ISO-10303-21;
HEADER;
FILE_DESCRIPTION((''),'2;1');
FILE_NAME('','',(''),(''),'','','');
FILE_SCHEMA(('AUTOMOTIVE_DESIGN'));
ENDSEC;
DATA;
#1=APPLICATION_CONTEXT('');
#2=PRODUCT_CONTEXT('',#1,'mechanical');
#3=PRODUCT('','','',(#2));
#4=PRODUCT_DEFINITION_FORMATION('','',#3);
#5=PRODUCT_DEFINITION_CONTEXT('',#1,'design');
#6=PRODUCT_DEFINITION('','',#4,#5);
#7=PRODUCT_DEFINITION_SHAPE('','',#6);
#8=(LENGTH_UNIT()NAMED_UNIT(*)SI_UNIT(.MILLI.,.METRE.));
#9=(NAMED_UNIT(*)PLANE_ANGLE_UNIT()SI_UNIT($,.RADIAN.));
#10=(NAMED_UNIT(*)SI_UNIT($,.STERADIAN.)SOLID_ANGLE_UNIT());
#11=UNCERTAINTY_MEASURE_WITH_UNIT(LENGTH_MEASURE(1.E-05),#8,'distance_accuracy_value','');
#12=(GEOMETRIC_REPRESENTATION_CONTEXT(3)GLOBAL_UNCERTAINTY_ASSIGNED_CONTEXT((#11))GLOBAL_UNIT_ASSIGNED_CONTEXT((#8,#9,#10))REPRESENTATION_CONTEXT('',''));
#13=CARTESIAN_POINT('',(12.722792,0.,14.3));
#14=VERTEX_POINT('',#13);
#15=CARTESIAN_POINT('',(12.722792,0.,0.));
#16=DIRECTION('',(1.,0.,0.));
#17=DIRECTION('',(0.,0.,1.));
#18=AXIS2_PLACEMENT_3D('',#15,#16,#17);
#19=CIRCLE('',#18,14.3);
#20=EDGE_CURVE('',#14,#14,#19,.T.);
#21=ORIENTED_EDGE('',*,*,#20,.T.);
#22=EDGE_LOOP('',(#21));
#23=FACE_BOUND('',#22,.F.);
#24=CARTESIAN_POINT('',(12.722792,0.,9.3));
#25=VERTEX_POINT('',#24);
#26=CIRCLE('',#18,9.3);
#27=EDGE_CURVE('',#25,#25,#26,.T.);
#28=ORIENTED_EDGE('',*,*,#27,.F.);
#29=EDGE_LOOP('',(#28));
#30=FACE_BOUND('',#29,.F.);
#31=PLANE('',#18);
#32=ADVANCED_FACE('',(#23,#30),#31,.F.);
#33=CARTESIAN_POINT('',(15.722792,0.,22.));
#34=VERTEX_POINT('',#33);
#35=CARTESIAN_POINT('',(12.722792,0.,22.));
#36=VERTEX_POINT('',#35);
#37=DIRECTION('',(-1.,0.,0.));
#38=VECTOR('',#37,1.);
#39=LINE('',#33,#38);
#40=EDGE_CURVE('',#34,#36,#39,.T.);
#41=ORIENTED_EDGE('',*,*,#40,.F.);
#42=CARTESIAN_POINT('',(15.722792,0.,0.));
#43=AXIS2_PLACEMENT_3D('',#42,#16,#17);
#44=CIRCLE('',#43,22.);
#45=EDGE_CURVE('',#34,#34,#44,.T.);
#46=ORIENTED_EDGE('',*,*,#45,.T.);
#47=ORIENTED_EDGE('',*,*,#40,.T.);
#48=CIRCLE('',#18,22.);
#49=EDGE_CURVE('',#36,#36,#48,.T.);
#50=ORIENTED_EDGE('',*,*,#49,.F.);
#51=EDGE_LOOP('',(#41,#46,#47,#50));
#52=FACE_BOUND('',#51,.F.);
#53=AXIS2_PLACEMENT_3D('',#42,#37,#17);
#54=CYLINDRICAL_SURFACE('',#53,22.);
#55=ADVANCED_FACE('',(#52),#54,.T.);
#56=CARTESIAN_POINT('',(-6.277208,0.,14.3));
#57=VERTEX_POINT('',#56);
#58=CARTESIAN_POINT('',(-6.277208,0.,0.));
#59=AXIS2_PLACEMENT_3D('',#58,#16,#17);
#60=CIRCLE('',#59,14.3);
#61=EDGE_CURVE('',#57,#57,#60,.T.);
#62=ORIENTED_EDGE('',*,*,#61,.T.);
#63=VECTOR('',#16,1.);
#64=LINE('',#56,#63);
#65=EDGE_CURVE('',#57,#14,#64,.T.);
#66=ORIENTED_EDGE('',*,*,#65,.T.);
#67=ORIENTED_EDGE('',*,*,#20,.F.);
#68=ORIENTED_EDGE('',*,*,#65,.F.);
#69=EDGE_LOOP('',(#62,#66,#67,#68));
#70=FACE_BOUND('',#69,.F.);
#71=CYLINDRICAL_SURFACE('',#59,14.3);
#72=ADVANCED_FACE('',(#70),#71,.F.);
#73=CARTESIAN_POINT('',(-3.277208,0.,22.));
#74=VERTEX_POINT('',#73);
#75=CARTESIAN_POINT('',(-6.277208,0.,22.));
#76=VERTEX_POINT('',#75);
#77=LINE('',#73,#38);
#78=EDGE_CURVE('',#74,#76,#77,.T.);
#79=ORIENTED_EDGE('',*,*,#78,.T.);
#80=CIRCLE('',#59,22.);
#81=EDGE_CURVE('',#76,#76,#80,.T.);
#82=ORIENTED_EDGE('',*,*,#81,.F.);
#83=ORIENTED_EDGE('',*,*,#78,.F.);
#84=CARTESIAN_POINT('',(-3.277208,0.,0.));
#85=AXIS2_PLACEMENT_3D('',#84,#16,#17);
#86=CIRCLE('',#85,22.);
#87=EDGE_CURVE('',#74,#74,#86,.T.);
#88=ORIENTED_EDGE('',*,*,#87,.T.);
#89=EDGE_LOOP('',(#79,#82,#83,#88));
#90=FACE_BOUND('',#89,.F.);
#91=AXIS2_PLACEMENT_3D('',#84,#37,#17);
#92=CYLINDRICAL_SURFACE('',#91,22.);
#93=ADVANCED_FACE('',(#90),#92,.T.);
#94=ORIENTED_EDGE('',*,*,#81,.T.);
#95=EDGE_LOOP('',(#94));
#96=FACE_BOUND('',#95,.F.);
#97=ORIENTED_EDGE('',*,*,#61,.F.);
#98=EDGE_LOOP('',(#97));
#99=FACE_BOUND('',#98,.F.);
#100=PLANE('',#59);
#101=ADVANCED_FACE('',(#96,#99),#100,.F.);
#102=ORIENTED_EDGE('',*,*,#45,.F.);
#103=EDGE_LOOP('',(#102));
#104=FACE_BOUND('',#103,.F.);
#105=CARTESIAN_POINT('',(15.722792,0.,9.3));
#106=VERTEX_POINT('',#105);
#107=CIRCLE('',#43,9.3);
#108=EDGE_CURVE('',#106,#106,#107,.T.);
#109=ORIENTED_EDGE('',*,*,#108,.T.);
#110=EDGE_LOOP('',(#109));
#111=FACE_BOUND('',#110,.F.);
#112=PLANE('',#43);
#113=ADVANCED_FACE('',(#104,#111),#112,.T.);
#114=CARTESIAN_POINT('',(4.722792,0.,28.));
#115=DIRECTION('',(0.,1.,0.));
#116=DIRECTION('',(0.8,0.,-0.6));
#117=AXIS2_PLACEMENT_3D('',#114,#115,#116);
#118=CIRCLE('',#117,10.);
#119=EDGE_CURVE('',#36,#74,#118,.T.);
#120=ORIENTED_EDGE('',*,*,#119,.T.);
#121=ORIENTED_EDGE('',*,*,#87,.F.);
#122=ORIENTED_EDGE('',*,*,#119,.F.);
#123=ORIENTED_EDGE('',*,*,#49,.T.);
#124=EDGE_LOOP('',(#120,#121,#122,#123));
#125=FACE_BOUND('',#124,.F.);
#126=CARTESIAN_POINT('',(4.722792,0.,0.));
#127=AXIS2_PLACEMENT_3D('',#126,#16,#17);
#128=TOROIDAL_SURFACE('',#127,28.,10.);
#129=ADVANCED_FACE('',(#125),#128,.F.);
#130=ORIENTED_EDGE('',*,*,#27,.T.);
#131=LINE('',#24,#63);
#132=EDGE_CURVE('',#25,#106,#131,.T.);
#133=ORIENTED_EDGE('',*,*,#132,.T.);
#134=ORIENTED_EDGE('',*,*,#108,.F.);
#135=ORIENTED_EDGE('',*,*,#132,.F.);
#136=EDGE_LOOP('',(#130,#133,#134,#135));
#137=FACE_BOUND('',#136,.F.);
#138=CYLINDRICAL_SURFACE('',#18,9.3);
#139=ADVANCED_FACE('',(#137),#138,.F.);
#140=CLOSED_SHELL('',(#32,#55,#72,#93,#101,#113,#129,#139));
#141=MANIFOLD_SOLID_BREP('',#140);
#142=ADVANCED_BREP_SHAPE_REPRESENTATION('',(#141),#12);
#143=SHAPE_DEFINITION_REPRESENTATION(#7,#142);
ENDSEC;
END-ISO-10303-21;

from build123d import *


with BuildPart() as f1:
    # F0 (on Front) → F1 (revolve)
    with BuildSketch(Plane.XZ):
        with BuildLine():
            Line((-6.277208, 22), (-6.277208, 14.3))
            Line((-6.277208, 14.3), (12.722792, 14.3))
            Line((12.722792, 14.3), (12.722792, 9.3))
            Line((12.722792, 9.3), (15.722792, 9.3))
            Line((15.722792, 9.3), (15.722792, 22))
            Line((15.722792, 22), (12.722792, 22))
            ThreePointArc((12.722792, 22), (4.722792, 18), (-3.277208, 22))
            Line((-3.277208, 22), (-6.277208, 22))
        make_face()
    revolve(axis=Axis((-0.613183, 0, 0), (1, 0, 0)))


solid = f1.part
